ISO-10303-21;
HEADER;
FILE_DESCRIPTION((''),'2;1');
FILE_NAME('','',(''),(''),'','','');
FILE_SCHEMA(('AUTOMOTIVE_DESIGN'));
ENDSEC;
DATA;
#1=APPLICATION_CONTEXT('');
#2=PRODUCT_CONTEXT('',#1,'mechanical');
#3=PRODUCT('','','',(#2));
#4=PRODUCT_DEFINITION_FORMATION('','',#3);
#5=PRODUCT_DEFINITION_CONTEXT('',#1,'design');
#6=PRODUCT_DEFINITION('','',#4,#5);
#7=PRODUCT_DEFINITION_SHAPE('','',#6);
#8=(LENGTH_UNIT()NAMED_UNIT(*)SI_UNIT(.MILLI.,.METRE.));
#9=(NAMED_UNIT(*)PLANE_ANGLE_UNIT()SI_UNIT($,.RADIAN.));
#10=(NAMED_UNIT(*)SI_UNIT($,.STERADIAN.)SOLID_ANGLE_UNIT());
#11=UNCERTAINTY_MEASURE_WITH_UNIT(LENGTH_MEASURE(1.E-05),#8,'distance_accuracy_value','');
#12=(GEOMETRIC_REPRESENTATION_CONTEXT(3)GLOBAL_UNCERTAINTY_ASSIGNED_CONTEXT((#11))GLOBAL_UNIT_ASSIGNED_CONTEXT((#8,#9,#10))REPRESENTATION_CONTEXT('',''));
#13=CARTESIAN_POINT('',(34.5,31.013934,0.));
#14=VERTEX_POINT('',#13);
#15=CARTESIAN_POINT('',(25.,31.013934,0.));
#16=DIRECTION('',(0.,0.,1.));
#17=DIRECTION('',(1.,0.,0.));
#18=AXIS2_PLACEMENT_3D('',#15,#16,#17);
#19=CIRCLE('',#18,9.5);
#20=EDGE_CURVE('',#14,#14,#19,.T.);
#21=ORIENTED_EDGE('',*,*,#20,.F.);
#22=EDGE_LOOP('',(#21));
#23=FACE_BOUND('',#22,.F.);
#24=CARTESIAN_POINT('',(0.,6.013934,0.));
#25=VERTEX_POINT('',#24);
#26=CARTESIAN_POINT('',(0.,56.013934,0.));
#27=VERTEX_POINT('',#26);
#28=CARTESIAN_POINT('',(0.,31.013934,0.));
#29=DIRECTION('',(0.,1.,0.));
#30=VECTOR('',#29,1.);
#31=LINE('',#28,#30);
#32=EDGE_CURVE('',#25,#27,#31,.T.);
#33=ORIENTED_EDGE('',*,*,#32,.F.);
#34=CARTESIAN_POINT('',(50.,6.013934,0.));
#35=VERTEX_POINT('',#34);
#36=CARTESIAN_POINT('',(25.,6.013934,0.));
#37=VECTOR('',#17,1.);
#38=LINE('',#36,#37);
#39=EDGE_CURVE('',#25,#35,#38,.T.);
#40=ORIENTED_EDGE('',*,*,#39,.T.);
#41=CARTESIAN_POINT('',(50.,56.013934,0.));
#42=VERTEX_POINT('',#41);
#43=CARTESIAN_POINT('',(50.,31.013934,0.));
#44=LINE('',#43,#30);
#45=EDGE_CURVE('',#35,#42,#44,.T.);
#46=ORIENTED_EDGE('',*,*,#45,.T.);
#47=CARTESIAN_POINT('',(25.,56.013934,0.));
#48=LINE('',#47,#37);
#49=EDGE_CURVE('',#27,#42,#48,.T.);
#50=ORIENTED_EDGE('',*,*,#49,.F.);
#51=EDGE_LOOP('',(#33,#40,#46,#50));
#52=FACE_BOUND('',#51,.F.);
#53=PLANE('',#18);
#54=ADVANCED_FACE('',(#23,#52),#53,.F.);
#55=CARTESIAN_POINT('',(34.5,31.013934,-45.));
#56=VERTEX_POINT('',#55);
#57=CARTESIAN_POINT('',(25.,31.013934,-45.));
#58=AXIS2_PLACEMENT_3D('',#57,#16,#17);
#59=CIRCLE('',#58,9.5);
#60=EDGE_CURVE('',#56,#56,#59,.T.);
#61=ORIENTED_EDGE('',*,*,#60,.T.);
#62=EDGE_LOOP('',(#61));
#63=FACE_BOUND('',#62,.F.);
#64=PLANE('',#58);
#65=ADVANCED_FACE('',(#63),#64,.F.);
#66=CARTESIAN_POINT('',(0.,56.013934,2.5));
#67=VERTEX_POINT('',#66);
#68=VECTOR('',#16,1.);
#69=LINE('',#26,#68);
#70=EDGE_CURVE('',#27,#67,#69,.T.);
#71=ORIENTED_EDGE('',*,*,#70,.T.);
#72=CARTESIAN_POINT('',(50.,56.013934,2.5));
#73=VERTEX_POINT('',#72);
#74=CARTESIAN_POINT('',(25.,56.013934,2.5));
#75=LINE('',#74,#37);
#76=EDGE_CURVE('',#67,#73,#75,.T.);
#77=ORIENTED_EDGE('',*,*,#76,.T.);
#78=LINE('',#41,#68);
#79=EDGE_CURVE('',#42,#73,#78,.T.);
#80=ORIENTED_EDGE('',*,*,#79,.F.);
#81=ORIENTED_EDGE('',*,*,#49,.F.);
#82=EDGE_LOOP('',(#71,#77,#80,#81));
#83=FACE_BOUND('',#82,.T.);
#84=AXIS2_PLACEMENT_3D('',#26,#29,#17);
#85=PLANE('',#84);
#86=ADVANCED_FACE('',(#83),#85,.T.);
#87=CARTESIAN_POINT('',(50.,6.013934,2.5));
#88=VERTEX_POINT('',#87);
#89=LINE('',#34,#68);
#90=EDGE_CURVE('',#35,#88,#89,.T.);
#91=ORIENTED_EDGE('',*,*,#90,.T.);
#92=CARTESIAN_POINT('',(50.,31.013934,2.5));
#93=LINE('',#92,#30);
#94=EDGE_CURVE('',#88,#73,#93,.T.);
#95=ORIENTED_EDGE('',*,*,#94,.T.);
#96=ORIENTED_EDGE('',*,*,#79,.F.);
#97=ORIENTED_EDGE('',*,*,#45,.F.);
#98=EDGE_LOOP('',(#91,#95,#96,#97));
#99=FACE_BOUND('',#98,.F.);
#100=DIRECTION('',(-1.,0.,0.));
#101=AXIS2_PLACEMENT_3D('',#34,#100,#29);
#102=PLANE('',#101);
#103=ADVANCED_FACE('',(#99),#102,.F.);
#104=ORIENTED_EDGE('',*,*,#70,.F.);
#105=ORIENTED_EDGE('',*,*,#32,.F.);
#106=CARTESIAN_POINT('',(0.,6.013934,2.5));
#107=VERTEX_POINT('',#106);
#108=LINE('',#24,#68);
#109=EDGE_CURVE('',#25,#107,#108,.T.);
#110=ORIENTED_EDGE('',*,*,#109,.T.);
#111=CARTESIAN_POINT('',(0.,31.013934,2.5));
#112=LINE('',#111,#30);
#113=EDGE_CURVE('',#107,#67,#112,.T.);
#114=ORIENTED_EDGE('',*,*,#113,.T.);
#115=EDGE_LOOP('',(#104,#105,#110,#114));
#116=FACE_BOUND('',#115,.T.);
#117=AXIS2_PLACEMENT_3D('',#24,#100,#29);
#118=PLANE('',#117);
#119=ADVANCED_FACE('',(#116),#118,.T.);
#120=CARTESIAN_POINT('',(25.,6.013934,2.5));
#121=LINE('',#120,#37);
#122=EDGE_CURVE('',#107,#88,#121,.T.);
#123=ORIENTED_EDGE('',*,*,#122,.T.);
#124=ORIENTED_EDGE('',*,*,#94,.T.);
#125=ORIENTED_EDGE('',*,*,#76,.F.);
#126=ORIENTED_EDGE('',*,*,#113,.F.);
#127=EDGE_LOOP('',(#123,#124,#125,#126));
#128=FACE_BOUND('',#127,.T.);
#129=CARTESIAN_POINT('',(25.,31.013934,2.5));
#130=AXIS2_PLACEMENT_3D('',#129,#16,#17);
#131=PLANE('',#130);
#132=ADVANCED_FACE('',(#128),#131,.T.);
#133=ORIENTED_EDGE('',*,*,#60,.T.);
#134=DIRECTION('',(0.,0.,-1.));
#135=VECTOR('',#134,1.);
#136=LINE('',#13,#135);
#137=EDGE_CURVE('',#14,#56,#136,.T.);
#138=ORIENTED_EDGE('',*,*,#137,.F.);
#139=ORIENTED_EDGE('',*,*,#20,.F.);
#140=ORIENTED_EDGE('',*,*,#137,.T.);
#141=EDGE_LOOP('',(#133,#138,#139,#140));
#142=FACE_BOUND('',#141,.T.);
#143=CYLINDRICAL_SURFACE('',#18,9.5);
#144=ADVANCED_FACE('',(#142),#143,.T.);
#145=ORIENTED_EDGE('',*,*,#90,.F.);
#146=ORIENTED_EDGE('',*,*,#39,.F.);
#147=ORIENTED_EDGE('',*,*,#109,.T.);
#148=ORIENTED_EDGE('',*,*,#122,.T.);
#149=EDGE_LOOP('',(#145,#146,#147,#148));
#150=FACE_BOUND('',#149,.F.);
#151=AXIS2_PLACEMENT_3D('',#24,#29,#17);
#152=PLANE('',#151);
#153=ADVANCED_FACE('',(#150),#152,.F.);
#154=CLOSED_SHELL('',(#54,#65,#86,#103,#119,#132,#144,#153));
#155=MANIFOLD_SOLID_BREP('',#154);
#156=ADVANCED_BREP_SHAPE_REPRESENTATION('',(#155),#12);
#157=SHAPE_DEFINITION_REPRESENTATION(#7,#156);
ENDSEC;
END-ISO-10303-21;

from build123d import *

# Parameters (mm, degrees)
F0_W     = 50
F0_H     = 50
F0_R     = 9.5
F1_DEPTH = 2.5
F2_DEPTH = 45


with BuildPart() as f1:
    # F0 (on Top) → F1 (new body)
    with BuildSketch(Plane.XY):
        with Locations((25, 31.013934)):
            Rectangle(F0_W, F0_H)
        with Locations((25, 31.013934)):
            Circle(F0_R, mode=Mode.SUBTRACT)
        with Locations((25, 31.013934)):
            Circle(F0_R)
    extrude(amount=F1_DEPTH)

    # F0 (on Top) → F2 (join)
    with BuildSketch(Plane.XY):
        with Locations((25, 31.013934)):
            Circle(F0_R)
    extrude(amount=-F2_DEPTH)


solid = f1.part
